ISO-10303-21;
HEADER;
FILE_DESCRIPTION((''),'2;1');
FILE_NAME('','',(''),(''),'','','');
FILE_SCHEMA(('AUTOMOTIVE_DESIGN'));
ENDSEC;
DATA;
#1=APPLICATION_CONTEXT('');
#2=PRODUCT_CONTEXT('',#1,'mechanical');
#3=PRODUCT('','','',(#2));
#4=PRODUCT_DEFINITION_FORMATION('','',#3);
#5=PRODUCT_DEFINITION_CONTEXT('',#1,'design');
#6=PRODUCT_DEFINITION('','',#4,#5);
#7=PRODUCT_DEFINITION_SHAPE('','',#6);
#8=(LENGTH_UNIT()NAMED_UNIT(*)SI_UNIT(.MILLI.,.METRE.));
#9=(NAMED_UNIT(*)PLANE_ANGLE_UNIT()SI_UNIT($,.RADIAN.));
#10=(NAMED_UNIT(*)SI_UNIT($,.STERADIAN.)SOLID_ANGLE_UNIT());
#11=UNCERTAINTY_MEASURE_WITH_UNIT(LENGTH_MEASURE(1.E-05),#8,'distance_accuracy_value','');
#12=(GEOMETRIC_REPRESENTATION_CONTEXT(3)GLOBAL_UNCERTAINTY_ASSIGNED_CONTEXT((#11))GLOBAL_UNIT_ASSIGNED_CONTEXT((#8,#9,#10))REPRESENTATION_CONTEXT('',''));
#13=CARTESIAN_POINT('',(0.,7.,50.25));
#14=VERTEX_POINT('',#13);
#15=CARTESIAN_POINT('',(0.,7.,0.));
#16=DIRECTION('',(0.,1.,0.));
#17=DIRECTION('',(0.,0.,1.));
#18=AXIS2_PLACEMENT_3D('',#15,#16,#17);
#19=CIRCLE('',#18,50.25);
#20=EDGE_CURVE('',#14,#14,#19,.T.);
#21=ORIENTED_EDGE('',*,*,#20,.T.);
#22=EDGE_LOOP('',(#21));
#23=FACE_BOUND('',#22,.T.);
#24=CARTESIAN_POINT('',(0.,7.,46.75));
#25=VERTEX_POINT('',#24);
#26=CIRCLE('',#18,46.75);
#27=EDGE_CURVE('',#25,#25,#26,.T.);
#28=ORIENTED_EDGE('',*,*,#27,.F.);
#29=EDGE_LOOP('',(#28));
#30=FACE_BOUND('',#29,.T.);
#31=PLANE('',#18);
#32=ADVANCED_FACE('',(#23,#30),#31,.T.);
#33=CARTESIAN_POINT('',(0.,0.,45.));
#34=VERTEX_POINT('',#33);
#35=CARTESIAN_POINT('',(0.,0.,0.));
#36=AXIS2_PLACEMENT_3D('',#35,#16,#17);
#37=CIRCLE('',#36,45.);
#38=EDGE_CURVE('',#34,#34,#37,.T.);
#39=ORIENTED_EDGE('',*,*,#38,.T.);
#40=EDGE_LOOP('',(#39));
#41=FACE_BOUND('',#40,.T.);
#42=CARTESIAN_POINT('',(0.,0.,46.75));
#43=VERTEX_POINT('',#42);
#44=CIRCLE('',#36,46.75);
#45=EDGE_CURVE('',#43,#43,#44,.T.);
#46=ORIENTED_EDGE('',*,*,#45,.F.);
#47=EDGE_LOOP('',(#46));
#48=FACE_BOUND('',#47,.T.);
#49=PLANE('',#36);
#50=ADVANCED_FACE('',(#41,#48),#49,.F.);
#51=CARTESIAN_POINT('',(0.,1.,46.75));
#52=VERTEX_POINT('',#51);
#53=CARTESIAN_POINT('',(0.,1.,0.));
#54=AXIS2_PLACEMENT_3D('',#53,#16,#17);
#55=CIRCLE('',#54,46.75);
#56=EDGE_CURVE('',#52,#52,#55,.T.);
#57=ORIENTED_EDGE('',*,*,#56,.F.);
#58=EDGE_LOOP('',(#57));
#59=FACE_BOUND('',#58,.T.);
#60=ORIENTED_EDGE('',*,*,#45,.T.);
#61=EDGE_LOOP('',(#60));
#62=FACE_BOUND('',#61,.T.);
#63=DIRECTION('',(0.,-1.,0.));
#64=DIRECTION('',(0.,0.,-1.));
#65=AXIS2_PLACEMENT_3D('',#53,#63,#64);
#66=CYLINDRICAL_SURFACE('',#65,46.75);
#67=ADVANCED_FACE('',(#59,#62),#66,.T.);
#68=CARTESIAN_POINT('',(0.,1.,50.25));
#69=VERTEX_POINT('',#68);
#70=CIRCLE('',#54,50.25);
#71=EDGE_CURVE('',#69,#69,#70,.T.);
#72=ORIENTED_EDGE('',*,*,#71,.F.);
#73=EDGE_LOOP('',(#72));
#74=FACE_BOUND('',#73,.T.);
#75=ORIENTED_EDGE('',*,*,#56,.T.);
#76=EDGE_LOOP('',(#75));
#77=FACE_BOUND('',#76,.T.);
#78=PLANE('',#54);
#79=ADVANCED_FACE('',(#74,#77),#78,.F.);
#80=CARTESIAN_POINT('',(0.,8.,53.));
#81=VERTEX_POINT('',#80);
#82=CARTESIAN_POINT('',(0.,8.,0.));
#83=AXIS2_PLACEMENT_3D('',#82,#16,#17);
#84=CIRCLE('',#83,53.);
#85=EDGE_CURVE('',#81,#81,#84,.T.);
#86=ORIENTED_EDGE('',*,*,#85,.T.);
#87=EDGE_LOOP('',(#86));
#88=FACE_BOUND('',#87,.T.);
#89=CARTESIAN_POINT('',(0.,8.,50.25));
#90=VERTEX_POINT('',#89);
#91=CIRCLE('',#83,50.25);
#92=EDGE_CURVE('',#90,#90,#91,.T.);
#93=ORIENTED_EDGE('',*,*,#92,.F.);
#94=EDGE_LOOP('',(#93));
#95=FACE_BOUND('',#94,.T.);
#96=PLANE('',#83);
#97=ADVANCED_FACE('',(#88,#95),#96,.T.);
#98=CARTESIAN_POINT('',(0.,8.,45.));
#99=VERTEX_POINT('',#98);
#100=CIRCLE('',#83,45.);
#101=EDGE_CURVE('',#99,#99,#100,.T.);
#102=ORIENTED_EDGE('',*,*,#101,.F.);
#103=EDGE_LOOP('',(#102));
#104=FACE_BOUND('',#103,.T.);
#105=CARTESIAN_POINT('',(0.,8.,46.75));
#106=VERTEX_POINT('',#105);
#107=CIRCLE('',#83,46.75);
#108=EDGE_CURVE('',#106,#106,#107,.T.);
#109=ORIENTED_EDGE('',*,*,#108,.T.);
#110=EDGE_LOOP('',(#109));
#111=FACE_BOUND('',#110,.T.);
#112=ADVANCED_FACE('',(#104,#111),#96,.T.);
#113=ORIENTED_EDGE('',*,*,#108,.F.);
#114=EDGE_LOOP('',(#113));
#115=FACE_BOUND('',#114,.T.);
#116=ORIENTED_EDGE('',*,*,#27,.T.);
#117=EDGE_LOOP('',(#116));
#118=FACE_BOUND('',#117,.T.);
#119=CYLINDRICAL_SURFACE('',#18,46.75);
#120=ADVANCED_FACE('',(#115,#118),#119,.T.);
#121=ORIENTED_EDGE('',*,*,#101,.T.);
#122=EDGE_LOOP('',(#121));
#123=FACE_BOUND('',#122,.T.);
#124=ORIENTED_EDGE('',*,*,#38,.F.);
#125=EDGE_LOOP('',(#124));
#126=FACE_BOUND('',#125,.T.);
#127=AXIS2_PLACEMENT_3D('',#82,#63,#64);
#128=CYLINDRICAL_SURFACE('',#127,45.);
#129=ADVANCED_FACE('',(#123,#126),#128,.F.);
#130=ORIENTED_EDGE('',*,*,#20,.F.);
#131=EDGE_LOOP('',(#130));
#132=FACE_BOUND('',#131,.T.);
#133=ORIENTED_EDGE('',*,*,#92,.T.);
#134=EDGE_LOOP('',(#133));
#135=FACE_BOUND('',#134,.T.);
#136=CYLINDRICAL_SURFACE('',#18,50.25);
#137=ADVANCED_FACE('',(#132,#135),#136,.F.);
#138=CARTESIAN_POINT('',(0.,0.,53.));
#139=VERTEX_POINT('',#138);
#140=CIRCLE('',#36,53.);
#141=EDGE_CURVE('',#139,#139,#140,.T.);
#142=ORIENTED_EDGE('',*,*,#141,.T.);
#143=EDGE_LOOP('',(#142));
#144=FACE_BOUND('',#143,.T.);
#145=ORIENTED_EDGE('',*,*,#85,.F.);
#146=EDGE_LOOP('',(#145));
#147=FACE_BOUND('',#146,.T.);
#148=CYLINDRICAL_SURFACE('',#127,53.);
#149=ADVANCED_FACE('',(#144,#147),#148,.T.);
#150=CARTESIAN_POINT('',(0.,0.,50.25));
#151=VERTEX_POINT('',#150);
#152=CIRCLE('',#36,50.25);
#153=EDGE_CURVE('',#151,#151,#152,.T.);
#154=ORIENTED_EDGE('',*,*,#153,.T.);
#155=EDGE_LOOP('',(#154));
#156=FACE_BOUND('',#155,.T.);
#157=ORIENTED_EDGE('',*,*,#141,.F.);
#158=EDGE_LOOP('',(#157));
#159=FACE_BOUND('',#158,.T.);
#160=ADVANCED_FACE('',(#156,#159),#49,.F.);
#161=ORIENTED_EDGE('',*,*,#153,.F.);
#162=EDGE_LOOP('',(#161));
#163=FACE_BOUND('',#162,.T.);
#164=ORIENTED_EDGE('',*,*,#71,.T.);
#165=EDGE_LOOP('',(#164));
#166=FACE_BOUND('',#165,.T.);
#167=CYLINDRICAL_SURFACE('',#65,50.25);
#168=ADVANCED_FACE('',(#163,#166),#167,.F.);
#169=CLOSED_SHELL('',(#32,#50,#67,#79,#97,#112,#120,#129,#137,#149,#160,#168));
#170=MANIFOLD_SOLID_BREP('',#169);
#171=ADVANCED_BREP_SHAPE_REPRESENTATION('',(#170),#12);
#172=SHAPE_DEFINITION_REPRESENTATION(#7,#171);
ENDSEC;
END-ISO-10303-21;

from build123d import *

# Parameters (mm, degrees)
SKETCH_1_R          = 53
SKETCH_1_R_2        = 45
EXTRUDE_1_DEPTH     = 8
SKETCH_2_R          = 50.25
SKETCH_2_R_2        = 46.75
CUT_EXTRUDE_1_DEPTH = 1
CUT_EXTRUDE_START   = -7
SKETCH_2_2_R        = 50.25
SKETCH_2_2_R_2      = 46.75
CUT_EXTRUDE_2_DEPTH = 1


with BuildPart() as part:
    # 草图1 → 凸台-拉伸1 (new body)
    with BuildSketch(Plane(origin=(0, 0, 0), x_dir=(1, 0, 0), z_dir=(0, 1, 0))):
        with Locations(Location((0, 0, 0), (0, 0, 270))):
            Circle(SKETCH_1_R)
        with Locations(Location((0, 0, 0), (0, 0, 270))):
            Circle(SKETCH_1_R_2, mode=Mode.SUBTRACT)
    extrude(amount=EXTRUDE_1_DEPTH)

    # 草图2 → 切除-拉伸1 (cut)
    with BuildSketch(Plane(origin=(0, 8, 0), x_dir=(1, 0, 0), z_dir=(0, 1, 0))):
        with Locations(Location((0, 0, 0), (0, 0, 270))):
            Circle(SKETCH_2_R)
        with Locations(Location((0, 0, 0), (0, 0, 270))):
            Circle(SKETCH_2_R_2, mode=Mode.SUBTRACT)
    extrude(amount=-CUT_EXTRUDE_1_DEPTH, mode=Mode.SUBTRACT)

    # 草图2<2> → 切除-拉伸2 (cut)
    with BuildSketch(Plane(origin=(0, 8, 0), x_dir=(1, 0, 0), z_dir=(0, 1, 0)).offset(CUT_EXTRUDE_START)):
        with Locations(Location((0, 0, 0), (0, 0, 270))):
            Circle(SKETCH_2_2_R)
        with Locations(Location((0, 0, 0), (0, 0, 270))):
            Circle(SKETCH_2_2_R_2, mode=Mode.SUBTRACT)
    extrude(amount=-CUT_EXTRUDE_2_DEPTH, mode=Mode.SUBTRACT)


solid = part.part
